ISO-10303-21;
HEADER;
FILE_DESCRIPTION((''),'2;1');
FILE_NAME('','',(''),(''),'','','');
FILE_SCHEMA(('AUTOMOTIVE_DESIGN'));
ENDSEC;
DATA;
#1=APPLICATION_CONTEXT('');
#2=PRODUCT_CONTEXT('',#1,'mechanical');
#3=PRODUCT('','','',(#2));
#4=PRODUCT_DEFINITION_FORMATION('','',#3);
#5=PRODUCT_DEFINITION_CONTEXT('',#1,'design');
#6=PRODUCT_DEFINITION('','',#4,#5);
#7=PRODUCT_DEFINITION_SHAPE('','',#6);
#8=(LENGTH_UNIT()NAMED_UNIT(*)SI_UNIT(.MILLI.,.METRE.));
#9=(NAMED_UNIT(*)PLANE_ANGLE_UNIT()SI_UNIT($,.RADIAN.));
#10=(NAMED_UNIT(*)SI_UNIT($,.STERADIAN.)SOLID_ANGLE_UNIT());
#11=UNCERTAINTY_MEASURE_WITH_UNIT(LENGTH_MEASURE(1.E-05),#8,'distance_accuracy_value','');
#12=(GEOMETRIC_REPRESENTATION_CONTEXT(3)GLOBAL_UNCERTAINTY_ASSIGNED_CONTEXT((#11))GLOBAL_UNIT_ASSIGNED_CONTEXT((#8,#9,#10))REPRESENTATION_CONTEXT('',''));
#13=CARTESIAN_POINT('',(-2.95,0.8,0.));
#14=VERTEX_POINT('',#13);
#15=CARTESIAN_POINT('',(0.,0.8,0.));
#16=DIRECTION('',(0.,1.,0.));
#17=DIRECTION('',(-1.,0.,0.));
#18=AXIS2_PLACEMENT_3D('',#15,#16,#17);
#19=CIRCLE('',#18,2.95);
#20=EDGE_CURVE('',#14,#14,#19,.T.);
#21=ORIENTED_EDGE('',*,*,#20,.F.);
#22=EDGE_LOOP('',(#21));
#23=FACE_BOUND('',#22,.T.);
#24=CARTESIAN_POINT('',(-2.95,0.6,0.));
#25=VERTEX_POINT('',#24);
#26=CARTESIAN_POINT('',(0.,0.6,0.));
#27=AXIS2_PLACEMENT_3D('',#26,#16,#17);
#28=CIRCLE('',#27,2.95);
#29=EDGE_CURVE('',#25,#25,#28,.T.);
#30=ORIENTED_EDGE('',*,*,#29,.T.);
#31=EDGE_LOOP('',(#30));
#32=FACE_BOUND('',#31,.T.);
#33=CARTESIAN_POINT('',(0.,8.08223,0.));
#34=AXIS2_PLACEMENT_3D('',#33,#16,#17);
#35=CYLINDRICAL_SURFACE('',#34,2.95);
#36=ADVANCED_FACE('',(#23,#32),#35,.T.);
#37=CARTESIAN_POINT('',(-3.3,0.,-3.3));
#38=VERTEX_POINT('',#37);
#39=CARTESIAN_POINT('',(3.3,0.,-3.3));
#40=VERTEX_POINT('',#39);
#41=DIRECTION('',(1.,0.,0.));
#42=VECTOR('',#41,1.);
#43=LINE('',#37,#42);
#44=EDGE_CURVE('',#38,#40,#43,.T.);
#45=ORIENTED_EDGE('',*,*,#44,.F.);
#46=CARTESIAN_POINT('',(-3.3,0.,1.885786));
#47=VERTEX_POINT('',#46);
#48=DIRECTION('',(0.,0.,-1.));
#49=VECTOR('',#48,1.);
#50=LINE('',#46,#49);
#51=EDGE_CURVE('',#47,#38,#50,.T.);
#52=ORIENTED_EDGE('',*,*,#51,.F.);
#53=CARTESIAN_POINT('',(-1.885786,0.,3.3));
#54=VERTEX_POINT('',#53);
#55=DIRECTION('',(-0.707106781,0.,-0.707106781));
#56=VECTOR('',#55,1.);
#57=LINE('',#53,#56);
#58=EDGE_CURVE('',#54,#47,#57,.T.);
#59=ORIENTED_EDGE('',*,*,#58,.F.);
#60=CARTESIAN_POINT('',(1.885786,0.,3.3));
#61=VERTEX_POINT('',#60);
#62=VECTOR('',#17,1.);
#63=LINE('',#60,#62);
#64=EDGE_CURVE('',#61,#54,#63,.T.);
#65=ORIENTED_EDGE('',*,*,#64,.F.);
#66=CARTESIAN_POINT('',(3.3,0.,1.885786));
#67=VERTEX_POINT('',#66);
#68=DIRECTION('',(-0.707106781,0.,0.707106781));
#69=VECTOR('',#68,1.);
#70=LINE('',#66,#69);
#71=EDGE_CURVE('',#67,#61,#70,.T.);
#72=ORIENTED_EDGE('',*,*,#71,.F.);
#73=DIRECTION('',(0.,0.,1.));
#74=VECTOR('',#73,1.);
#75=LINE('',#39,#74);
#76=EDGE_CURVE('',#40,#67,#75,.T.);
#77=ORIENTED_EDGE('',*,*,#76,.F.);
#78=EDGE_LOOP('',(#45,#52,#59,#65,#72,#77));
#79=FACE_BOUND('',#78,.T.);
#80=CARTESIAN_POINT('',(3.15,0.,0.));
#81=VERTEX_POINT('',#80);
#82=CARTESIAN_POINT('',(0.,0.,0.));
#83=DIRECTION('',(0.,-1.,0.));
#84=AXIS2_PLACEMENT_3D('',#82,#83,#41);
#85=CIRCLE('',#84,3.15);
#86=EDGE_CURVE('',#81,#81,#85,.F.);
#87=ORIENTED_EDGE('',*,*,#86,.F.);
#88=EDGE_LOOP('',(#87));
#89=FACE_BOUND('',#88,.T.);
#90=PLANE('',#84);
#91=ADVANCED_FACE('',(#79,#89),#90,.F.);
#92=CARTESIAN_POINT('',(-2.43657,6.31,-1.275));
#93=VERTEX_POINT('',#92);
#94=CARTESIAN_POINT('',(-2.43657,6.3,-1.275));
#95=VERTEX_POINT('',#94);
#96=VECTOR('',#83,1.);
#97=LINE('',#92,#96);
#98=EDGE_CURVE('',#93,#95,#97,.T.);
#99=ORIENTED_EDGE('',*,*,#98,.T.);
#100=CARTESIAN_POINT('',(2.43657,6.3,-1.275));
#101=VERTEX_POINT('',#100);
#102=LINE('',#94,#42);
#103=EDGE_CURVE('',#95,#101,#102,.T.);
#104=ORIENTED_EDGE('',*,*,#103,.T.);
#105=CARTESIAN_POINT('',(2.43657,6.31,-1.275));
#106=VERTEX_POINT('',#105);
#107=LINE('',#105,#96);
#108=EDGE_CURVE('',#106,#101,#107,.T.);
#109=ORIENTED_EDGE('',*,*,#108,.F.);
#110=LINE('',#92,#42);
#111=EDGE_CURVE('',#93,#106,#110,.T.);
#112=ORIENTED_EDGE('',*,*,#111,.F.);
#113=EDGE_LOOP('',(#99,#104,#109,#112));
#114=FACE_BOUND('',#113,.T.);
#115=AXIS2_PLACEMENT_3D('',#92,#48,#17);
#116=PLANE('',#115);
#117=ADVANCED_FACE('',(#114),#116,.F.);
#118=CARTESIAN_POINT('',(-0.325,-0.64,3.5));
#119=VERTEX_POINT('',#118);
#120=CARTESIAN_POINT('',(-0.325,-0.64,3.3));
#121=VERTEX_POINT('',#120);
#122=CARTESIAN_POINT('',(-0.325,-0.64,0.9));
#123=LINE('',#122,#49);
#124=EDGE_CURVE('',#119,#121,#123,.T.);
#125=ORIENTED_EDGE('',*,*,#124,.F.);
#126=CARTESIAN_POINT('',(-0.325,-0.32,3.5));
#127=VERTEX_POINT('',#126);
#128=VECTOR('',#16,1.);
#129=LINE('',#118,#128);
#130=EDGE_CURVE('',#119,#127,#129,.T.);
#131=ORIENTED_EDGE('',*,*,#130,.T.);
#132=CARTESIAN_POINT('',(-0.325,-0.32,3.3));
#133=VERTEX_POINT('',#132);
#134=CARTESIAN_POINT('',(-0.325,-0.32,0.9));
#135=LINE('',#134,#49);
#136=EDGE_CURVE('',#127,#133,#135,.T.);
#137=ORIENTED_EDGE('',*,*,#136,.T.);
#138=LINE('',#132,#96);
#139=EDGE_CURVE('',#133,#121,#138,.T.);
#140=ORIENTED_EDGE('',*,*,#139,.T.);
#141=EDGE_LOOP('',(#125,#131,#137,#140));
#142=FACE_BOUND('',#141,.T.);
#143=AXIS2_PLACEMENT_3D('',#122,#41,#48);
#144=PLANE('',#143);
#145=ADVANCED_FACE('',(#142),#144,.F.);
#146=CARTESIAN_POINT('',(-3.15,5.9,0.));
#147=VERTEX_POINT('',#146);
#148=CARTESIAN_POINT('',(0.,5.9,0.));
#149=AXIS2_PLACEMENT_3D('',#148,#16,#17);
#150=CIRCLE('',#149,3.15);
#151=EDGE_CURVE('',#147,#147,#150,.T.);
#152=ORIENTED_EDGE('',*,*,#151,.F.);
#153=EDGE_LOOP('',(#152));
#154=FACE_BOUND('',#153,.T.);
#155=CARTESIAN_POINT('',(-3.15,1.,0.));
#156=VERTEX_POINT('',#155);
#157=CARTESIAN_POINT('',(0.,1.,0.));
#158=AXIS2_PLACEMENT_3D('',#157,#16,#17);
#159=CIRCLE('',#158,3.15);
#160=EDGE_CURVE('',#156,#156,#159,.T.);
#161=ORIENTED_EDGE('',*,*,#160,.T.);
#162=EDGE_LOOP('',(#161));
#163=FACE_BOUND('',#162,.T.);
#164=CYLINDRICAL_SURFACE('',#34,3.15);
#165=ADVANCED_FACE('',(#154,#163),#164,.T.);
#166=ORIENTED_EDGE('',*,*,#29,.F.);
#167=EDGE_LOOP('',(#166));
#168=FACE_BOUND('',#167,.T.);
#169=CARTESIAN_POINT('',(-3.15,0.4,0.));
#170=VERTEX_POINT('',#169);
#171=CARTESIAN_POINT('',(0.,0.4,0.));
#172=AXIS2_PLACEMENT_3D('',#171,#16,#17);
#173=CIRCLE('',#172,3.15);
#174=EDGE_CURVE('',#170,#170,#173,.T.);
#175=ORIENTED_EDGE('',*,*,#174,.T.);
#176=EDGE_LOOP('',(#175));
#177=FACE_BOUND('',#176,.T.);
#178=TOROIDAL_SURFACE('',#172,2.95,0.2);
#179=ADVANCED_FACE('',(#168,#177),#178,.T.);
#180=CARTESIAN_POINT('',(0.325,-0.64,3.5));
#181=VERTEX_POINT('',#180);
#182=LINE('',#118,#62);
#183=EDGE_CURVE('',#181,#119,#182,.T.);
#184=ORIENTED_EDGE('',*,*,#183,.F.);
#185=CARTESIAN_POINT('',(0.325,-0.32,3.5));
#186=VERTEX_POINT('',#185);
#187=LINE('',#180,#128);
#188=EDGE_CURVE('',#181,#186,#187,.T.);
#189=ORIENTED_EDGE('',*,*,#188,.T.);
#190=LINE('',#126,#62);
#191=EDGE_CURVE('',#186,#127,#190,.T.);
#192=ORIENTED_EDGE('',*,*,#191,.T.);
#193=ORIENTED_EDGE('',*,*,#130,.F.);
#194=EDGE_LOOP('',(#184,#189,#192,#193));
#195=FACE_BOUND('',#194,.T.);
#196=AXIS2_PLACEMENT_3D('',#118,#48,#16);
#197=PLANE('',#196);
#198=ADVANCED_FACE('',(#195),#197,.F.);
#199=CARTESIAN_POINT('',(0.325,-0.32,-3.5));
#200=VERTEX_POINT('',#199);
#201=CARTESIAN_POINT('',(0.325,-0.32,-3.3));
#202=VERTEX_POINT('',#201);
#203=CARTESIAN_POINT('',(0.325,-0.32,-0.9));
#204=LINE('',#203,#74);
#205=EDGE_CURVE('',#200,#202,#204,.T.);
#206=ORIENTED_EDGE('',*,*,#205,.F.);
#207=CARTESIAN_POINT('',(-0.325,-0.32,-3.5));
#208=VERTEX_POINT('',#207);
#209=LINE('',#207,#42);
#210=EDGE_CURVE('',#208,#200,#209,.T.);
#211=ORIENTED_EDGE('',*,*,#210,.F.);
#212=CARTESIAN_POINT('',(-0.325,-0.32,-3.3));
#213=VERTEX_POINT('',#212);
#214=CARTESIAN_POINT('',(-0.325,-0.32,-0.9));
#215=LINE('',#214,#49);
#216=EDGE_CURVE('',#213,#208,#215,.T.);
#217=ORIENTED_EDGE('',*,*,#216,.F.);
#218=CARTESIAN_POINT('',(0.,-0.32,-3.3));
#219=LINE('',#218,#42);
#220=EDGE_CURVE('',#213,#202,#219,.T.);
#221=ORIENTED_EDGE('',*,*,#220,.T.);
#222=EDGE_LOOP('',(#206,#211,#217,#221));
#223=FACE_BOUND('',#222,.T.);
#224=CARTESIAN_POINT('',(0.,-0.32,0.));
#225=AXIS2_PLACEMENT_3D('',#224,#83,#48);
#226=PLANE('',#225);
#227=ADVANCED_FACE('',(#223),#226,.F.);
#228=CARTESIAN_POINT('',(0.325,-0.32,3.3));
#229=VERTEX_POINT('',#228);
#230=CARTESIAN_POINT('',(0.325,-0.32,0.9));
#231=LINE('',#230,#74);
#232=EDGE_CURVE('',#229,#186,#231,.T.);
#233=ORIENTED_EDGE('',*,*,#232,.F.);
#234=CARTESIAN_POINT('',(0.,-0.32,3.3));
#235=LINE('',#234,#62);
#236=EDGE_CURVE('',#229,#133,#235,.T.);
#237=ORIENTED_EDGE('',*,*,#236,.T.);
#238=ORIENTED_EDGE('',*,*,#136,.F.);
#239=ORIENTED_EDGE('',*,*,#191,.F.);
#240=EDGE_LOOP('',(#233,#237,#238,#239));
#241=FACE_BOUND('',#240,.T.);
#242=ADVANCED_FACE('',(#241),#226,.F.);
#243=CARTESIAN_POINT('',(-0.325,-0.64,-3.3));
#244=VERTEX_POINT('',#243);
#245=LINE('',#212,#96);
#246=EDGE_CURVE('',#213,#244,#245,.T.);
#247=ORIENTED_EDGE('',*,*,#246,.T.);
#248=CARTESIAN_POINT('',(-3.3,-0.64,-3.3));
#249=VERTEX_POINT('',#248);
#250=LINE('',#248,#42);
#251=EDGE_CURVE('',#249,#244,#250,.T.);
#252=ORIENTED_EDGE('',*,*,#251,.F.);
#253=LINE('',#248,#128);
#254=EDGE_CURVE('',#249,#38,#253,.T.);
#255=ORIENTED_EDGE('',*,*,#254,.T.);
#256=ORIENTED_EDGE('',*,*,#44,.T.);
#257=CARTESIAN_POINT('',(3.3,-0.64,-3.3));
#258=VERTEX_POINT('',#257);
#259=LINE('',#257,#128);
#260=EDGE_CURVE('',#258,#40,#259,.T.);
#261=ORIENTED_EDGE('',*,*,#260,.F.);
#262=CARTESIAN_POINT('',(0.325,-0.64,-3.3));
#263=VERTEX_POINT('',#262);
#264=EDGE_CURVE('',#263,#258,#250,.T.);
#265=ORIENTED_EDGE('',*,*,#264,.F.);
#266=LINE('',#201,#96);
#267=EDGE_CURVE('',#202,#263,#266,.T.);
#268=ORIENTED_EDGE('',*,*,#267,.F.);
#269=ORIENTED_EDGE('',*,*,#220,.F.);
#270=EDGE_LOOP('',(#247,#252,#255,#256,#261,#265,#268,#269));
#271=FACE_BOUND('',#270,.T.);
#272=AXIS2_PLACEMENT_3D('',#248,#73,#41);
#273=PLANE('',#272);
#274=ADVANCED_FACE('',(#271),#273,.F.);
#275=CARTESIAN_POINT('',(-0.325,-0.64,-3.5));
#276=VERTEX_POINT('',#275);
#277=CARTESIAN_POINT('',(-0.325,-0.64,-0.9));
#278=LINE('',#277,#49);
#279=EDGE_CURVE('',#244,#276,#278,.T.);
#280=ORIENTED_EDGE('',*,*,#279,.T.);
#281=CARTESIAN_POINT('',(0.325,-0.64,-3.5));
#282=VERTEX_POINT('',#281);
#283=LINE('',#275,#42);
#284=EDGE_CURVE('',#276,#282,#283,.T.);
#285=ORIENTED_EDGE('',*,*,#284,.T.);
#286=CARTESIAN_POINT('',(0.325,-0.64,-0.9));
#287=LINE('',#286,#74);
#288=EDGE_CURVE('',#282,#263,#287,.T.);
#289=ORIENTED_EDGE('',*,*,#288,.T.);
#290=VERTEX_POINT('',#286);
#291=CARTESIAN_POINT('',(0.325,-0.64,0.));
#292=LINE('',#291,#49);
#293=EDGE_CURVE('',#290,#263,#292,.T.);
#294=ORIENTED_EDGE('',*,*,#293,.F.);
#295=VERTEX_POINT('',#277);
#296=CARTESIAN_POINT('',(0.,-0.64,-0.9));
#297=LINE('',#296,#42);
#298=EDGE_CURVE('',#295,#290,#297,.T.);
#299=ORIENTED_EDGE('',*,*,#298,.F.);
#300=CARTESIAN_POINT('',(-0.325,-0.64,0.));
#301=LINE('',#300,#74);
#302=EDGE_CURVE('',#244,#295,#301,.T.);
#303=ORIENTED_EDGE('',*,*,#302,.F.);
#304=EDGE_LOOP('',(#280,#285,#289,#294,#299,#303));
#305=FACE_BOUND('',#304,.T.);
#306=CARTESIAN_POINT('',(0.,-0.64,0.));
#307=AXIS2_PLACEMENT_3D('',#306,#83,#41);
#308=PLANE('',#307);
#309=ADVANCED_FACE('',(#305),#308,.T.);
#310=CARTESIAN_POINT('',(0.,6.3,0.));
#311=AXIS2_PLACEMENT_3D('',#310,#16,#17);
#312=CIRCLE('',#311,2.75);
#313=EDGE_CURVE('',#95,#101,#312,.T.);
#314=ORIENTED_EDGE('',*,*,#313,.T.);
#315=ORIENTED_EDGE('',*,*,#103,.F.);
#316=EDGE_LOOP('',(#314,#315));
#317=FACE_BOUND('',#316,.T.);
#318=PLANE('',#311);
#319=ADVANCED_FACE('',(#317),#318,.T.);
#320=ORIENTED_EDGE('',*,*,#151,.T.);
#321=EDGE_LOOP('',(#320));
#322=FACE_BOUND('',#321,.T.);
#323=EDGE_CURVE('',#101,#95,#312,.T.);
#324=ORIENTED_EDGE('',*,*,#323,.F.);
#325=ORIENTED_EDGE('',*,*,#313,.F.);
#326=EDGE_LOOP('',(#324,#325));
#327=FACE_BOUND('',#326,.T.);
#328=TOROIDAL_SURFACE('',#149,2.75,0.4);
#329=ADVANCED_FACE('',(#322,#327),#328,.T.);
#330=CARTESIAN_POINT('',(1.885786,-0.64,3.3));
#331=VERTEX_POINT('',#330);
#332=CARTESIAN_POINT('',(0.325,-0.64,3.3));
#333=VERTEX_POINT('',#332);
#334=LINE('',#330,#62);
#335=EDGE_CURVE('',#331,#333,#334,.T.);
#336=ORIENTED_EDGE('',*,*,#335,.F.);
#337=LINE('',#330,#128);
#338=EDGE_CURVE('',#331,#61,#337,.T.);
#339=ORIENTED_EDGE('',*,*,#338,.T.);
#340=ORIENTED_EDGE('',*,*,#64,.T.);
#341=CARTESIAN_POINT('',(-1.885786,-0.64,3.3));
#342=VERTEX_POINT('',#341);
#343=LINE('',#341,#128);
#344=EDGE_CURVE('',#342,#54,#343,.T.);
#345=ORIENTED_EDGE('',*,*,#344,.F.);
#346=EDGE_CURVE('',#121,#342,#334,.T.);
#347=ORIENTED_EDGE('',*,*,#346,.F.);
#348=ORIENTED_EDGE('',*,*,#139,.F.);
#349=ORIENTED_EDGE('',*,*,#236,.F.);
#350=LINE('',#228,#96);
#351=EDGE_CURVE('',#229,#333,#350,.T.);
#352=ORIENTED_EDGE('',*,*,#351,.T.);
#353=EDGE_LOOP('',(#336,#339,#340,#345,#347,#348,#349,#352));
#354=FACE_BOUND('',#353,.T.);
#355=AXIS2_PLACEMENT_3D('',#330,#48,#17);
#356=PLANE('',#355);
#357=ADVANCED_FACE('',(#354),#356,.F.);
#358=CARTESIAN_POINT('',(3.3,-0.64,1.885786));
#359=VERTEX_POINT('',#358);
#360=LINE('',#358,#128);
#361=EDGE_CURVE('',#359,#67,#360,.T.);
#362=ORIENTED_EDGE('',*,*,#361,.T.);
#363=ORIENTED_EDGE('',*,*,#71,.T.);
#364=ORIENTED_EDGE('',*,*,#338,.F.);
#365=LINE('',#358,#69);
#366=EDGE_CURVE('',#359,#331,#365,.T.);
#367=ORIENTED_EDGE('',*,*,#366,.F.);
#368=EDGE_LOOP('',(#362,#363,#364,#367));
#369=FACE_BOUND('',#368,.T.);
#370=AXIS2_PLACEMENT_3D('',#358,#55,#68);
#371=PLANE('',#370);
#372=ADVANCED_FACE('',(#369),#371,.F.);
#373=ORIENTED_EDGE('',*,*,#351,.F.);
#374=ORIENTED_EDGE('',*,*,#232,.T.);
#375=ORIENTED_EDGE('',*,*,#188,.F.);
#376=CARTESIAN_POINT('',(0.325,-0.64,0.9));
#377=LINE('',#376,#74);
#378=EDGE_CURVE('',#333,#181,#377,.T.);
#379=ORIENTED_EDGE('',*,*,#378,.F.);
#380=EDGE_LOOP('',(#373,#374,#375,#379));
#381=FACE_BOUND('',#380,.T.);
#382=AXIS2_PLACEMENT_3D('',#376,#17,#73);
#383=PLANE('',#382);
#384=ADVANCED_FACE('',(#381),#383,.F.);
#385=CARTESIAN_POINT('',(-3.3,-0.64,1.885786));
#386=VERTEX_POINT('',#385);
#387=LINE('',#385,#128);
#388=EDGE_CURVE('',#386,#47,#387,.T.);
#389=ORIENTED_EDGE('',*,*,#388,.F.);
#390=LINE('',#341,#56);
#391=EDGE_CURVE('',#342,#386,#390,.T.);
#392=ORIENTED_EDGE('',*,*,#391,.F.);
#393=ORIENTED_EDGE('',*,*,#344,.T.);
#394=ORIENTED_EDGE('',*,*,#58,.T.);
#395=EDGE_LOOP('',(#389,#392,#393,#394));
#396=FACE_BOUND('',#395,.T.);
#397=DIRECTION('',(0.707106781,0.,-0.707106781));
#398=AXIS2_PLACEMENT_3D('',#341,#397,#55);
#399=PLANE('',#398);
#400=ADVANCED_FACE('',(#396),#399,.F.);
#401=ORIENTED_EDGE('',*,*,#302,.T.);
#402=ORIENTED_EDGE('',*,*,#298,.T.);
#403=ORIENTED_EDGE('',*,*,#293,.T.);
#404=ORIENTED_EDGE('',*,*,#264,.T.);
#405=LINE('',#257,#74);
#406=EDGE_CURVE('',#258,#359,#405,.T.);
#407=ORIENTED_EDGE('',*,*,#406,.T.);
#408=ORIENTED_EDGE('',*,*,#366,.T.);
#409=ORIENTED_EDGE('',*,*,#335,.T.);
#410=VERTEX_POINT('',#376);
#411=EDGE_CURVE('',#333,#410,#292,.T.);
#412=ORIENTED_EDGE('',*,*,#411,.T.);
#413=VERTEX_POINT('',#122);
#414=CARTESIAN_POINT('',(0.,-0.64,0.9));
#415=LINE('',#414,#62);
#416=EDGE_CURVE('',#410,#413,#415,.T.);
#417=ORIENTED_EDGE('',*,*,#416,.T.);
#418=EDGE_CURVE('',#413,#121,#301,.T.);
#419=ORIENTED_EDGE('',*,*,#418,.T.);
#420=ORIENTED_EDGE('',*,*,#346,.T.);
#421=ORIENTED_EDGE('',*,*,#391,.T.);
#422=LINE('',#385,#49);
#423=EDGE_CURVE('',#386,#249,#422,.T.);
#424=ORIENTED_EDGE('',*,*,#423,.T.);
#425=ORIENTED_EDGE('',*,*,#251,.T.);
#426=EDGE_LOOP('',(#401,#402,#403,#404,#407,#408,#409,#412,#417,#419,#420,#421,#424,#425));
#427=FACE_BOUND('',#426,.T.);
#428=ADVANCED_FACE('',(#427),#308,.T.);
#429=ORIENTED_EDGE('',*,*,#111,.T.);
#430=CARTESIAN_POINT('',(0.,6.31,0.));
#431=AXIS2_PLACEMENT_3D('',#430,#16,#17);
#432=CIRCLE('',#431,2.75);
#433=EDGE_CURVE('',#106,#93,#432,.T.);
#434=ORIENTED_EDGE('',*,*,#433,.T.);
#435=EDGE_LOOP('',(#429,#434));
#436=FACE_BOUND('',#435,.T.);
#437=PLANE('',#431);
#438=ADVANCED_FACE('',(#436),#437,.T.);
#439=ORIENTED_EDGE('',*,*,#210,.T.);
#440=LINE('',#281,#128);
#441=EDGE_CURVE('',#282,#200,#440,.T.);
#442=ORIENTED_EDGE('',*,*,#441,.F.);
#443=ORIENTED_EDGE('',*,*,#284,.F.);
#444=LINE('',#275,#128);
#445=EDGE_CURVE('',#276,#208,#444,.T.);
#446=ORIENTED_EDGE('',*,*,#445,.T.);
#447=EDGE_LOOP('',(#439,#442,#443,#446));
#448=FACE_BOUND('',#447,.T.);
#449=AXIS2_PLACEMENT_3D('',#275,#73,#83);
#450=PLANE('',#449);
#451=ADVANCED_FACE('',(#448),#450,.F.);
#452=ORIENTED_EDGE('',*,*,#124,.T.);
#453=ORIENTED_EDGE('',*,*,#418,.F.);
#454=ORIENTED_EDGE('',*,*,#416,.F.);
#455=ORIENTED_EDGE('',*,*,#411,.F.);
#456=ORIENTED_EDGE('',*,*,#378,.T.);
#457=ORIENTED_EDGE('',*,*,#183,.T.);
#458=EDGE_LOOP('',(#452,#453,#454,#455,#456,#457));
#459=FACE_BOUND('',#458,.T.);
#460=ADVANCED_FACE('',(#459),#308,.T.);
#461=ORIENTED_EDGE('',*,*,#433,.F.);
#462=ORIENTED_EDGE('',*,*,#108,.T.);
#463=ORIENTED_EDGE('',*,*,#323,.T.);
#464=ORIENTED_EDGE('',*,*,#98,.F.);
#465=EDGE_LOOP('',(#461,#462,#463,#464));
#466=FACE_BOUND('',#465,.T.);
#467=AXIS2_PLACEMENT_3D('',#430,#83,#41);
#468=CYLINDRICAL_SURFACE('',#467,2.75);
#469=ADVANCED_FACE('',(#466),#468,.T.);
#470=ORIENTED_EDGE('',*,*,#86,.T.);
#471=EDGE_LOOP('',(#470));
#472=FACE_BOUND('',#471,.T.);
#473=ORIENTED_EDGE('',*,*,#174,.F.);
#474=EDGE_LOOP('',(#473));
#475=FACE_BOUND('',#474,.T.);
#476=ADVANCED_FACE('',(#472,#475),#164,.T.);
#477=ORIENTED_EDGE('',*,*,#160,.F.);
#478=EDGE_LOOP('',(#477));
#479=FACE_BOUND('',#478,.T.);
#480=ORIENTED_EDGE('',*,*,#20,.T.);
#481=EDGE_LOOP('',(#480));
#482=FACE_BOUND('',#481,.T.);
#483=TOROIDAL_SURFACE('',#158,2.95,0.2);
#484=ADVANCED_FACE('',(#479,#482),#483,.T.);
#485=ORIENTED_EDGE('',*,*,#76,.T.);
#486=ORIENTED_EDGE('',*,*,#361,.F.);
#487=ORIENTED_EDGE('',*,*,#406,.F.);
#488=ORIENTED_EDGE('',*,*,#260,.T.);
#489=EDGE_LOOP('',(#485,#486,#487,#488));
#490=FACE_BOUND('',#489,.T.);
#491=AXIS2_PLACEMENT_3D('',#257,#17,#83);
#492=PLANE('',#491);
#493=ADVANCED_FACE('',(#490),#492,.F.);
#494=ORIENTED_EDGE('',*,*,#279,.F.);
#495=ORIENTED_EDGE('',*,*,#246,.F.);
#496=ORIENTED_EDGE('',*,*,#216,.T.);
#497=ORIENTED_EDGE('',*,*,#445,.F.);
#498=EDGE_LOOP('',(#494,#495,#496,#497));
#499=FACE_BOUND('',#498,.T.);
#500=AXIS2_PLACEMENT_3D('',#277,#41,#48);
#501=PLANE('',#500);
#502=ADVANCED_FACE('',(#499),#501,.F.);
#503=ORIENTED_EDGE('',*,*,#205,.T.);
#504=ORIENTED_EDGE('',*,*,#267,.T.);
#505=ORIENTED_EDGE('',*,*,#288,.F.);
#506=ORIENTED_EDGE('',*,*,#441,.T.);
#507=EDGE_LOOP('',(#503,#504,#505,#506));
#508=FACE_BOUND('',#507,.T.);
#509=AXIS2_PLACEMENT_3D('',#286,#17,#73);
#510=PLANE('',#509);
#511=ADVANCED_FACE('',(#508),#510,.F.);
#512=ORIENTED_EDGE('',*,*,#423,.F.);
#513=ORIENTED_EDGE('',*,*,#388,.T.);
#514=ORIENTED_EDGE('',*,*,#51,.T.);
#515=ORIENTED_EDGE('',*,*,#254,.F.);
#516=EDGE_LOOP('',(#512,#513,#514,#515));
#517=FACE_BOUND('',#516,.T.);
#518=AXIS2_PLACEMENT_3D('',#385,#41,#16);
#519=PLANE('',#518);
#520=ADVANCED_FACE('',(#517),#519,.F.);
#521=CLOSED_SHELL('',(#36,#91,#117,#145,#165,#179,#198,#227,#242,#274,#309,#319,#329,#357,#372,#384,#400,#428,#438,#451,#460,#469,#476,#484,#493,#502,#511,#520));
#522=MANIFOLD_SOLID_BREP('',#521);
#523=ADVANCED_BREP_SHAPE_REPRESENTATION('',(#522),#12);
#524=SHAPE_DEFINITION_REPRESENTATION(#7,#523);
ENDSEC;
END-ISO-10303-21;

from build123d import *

# Parameters (mm, degrees)
BOSS_EXTRUDE1_DEPTH = 0.01
BOSS_EXTRUDE2_DEPTH = 0.64
CUT_EXTRUDE1_START  = 0.64
CUT_EXTRUDE1_DEPTH  = 0.32
SKETCH4_W           = 0.65
SKETCH4_H           = 2.6
BOSS_EXTRUDE3_DEPTH = 0.32


with BuildPart() as part:
    # Sketch1 → Revolve1 (revolve)
    with BuildSketch(Plane.XY):
        with BuildLine():
            Line((0, 6.3), (-2.75, 6.3))
            ThreePointArc((-2.75, 6.3), (-3.032842712, 6.182842712), (-3.15, 5.9))
            Line((-3.15, 5.9), (-3.15, 1))
            ThreePointArc((-3.15, 1), (-3.091421356, 0.858578644), (-2.95, 0.8))
            Line((-2.95, 0.8), (-2.95, 0.6))
            ThreePointArc((-2.95, 0.6), (-3.091421356, 0.541421356), (-3.15, 0.4))
            Line((-3.15, 0.4), (-3.15, 0))
            Line((-3.15, 0), (0, 0))
            Line((0, 0), (0, 6.3))
        make_face()
    revolve(axis=Axis((0, 8.082229881, 0), (0, -1, 0)))

    # Sketch2 → Boss-Extrude1 (add)
    with BuildSketch(Plane(origin=(0, 6.3, 0), x_dir=(1, 0, 0), z_dir=(0, 1, 0))):
        with BuildLine():
            Line((-2.436570336, 1.275), (2.436570336, 1.275))
            ThreePointArc((2.436570336, 1.275), (0, 2.75), (-2.436570336, 1.275))
        make_face()
    extrude(amount=BOSS_EXTRUDE1_DEPTH)

    # Sketch3 → Boss-Extrude2 (add)
    with BuildSketch(Plane(origin=(0, 0, 0), x_dir=(-1, 0, 0), z_dir=(0, -1, 0))):
        Polygon((1.885786438, -3.3), (3.3, -1.885786438), (3.3, 3.3), (-3.3, 3.3), (-3.3, -1.885786438), (-1.885786438, -3.3), align=None)
    extrude(amount=BOSS_EXTRUDE2_DEPTH)

    # Sketch3<3> → Cut-Extrude1 (cut)
    with BuildSketch(Plane(origin=(0, 0, 0), x_dir=(-1, 0, 0), z_dir=(0, -1, 0)).offset(CUT_EXTRUDE1_START)):
        with BuildLine():
            Line((0.325, 0.9), (0.325, 3.13318927))
            ThreePointArc((0.325, 3.13318927), (0, 3.15), (-0.325, 3.13318927))
            Line((-0.325, 3.13318927), (-0.325, 0.9))
            Line((-0.325, 0.9), (0.325, 0.9))
        make_face()
        with BuildLine():
            ThreePointArc((-0.325, -3.13318927), (0, -3.15), (0.325, -3.13318927))
            Line((0.325, -3.13318927), (0.325, -0.9))
            Line((0.325, -0.9), (-0.325, -0.9))
            Line((-0.325, -0.9), (-0.325, -3.13318927))
        make_face()
        with BuildLine():
            Line((0.325, 3.13318927), (0.325, 3.3))
            Line((0.325, 3.3), (-0.325, 3.3))
            Line((-0.325, 3.3), (-0.325, 3.13318927))
            ThreePointArc((-0.325, 3.13318927), (0, 3.15), (0.325, 3.13318927))
        make_face()
        with BuildLine():
            Line((-0.325, -3.3), (0.325, -3.3))
            Line((0.325, -3.3), (0.325, -3.13318927))
            ThreePointArc((0.325, -3.13318927), (0, -3.15), (-0.325, -3.13318927))
            Line((-0.325, -3.13318927), (-0.325, -3.3))
        make_face()
    extrude(amount=-CUT_EXTRUDE1_DEPTH, mode=Mode.SUBTRACT)

    # Sketch4 → Boss-Extrude3 (add)
    with BuildSketch(Plane.XZ.offset(0.32)):
        with Locations((0, -2.2)):
            Rectangle(SKETCH4_W, SKETCH4_H)
        with Locations((0, 2.2)):
            Rectangle(SKETCH4_W, SKETCH4_H)
    extrude(amount=BOSS_EXTRUDE3_DEPTH)


solid = part.part
